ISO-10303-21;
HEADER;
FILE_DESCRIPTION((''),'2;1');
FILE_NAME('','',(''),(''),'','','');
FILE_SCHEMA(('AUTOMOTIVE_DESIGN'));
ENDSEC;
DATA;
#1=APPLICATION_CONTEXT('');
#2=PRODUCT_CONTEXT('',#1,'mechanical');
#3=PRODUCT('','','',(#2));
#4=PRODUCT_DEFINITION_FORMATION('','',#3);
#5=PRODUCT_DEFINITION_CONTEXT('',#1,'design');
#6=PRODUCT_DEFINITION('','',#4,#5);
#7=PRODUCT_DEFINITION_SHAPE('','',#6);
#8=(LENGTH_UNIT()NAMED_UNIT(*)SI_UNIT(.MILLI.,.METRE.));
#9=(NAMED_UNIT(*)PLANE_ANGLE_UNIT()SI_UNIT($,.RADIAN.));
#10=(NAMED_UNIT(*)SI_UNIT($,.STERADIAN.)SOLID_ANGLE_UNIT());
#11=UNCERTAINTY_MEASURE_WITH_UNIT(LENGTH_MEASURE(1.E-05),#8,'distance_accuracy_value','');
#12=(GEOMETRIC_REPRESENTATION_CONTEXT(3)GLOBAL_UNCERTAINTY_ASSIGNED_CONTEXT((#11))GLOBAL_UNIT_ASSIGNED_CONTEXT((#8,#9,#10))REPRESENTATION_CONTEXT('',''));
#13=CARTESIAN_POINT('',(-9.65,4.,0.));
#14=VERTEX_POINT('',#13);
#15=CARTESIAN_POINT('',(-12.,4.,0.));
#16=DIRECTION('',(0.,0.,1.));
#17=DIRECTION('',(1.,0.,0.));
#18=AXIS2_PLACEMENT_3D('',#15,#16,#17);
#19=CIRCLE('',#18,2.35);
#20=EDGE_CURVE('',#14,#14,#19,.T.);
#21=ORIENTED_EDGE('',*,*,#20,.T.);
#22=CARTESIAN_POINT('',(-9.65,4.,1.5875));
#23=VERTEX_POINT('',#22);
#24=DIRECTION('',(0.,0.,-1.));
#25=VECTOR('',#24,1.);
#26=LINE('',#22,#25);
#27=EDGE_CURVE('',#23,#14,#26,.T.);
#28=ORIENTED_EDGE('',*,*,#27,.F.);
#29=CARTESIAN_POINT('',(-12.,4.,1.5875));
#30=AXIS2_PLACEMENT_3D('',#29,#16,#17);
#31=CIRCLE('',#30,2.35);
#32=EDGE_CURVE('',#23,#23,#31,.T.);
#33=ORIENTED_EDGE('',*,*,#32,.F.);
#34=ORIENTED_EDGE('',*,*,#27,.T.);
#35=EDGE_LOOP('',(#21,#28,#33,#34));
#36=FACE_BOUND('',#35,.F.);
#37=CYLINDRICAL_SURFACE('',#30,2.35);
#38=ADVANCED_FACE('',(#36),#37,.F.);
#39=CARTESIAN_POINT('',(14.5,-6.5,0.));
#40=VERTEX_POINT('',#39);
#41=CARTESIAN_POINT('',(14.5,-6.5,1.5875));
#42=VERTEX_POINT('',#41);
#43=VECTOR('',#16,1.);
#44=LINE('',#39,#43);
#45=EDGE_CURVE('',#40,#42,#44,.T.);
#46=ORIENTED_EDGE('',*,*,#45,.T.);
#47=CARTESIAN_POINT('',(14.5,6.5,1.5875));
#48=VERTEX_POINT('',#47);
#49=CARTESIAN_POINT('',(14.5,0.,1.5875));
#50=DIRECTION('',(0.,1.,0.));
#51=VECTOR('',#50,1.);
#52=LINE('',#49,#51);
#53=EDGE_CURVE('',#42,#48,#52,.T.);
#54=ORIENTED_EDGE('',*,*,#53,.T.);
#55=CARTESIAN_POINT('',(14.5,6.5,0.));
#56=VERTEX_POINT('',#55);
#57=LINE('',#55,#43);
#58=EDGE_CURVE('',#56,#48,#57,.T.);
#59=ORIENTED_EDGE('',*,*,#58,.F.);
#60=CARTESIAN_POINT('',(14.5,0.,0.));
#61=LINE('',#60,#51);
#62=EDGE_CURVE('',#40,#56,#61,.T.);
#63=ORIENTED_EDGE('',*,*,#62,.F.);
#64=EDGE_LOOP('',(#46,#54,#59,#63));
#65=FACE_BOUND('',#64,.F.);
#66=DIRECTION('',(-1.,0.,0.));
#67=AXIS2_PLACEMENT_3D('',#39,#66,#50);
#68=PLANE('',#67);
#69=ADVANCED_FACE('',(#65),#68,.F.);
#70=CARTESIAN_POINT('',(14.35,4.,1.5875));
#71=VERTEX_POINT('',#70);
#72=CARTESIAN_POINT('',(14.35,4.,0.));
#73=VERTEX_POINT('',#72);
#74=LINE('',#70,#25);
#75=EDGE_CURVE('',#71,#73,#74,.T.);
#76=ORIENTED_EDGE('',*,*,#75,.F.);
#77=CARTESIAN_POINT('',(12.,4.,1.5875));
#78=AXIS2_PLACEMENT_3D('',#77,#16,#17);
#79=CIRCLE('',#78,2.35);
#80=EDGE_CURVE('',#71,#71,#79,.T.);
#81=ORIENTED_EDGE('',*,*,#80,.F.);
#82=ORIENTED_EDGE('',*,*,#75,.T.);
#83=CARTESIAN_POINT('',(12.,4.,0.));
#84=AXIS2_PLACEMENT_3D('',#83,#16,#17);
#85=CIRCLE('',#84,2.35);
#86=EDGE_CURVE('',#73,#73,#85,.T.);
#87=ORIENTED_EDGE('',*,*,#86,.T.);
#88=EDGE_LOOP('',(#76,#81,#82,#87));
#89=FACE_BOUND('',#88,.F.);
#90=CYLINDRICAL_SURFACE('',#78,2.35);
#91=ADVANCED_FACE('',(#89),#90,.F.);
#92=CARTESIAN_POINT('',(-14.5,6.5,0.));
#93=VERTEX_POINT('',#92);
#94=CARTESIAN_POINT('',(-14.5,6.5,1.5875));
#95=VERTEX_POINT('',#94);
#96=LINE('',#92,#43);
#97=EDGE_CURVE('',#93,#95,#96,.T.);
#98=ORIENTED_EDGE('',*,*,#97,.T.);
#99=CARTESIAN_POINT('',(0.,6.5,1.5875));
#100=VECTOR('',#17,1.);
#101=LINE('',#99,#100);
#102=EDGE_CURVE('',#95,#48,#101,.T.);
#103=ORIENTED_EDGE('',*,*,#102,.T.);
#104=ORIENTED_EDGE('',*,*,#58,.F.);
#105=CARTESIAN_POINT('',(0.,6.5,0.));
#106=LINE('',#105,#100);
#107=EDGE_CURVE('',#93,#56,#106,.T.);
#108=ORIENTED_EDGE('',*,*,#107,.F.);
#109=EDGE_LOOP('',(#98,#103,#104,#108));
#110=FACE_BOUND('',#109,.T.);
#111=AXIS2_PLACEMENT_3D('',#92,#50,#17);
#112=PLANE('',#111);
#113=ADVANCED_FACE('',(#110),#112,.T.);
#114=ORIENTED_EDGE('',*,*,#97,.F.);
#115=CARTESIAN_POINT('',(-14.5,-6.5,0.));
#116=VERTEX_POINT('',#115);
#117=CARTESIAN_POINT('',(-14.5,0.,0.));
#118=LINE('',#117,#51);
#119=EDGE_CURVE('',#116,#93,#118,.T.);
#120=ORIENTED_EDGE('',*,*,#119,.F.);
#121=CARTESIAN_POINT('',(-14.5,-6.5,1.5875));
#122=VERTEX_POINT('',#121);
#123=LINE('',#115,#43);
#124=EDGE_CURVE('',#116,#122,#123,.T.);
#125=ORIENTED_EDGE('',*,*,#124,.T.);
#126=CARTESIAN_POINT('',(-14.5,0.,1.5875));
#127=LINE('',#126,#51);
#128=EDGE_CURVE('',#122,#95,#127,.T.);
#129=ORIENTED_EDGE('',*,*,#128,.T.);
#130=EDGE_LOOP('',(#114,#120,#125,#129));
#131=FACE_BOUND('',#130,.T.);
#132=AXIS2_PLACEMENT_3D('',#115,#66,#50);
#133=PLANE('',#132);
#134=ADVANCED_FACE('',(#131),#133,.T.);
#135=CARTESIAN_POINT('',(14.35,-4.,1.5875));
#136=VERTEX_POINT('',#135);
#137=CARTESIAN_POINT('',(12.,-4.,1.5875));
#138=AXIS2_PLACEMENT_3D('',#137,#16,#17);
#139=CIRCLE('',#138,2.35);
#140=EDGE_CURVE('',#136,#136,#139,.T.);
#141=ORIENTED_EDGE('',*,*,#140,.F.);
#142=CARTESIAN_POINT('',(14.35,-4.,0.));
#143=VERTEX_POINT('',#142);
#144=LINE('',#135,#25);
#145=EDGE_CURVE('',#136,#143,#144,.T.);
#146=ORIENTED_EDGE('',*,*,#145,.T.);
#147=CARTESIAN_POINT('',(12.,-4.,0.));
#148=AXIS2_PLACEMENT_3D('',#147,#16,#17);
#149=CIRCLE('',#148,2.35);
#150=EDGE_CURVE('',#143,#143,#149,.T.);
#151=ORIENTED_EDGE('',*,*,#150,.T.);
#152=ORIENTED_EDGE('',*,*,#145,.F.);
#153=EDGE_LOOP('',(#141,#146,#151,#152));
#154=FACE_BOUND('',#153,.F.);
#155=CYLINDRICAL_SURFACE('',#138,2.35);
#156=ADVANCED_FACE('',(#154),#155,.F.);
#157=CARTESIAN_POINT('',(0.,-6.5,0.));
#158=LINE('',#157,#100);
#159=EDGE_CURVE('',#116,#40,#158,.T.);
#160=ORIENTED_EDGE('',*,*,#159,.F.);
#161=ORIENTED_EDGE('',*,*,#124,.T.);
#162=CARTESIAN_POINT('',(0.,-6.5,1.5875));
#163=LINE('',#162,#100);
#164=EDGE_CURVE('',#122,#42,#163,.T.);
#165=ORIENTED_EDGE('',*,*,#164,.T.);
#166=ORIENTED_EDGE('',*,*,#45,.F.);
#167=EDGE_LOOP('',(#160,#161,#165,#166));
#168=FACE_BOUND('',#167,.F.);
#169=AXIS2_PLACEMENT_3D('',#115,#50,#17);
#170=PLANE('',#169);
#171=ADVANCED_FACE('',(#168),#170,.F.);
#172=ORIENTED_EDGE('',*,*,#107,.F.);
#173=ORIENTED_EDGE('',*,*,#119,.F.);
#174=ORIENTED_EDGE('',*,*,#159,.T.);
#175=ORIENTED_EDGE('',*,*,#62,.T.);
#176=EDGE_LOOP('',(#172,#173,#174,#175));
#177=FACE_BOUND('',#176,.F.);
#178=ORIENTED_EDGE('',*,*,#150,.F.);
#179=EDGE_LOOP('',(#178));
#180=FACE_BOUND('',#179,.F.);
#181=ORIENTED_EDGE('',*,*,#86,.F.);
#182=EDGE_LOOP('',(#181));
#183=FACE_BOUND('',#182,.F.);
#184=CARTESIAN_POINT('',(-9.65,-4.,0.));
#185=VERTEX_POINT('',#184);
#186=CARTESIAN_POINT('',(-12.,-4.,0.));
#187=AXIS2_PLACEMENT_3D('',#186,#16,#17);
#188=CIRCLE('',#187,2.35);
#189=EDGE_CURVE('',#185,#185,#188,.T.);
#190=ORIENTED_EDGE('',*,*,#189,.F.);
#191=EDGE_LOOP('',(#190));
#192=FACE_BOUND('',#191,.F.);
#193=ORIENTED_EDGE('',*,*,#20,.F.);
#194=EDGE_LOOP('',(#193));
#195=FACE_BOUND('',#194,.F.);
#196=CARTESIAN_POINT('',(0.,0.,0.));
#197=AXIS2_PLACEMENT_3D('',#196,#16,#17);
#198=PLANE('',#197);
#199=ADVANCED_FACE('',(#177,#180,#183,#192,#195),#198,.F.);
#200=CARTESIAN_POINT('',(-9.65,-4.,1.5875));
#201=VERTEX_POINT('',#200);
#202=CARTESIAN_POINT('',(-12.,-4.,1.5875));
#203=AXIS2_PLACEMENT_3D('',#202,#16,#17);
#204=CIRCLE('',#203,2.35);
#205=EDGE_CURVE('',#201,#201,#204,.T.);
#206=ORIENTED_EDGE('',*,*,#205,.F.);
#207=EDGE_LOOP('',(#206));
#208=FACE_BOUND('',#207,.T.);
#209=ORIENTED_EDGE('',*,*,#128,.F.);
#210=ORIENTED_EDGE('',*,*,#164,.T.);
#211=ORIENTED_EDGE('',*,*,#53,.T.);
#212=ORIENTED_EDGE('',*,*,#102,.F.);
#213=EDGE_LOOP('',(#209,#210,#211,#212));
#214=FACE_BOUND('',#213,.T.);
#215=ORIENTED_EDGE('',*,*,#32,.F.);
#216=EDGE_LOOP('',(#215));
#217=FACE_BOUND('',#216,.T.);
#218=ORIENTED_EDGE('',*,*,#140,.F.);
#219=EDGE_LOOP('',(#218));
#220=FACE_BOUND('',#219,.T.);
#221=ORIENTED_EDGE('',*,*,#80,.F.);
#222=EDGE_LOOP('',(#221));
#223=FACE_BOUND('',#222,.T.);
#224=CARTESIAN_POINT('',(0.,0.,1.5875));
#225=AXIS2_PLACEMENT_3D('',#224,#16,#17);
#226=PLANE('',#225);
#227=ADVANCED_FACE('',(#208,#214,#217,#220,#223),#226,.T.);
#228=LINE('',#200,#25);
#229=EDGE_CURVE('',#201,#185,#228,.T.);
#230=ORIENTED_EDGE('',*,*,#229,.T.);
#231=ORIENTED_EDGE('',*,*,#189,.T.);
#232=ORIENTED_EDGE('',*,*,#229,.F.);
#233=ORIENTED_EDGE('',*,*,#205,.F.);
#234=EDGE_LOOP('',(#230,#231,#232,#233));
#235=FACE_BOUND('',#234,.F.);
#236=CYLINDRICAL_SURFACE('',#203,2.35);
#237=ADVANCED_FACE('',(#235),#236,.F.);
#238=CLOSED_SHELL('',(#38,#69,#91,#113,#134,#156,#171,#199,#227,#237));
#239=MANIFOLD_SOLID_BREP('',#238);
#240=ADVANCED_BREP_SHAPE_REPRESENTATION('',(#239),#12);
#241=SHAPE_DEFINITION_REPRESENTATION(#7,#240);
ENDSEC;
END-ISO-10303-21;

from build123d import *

# Parameters (mm, degrees)
F0_W     = 29
F0_H     = 13
F1_DEPTH = 1.5875
F2_R     = 6.25
F3_DEPTH = 2
F5_R     = 2.35
F6_DEPTH = 25.4


with BuildPart() as f1:
    # F0 (on Top) → F1 (new body)
    with BuildSketch(Plane.XY):
        Rectangle(F0_W, F0_H)
    extrude(amount=F1_DEPTH)

    # F5 (on face) → F6 (cut)
    with BuildSketch(Plane.XY.offset(1.5875)):
        with Locations((-12, 4)):
            Circle(F5_R)
        with Locations((-12, -4)):
            Circle(F5_R)
        with Locations((12, -4)):
            Circle(F5_R)
        with Locations((12, 4)):
            Circle(F5_R)
    extrude(amount=-F6_DEPTH, mode=Mode.SUBTRACT)


with BuildPart() as f3:
    # F2 (on Top) → F3 (new body)
    with BuildSketch(Plane.XY):
        with Locations((-62.359009, 0)):
            Circle(F2_R)
    extrude(amount=F3_DEPTH)


solid = f1.part
